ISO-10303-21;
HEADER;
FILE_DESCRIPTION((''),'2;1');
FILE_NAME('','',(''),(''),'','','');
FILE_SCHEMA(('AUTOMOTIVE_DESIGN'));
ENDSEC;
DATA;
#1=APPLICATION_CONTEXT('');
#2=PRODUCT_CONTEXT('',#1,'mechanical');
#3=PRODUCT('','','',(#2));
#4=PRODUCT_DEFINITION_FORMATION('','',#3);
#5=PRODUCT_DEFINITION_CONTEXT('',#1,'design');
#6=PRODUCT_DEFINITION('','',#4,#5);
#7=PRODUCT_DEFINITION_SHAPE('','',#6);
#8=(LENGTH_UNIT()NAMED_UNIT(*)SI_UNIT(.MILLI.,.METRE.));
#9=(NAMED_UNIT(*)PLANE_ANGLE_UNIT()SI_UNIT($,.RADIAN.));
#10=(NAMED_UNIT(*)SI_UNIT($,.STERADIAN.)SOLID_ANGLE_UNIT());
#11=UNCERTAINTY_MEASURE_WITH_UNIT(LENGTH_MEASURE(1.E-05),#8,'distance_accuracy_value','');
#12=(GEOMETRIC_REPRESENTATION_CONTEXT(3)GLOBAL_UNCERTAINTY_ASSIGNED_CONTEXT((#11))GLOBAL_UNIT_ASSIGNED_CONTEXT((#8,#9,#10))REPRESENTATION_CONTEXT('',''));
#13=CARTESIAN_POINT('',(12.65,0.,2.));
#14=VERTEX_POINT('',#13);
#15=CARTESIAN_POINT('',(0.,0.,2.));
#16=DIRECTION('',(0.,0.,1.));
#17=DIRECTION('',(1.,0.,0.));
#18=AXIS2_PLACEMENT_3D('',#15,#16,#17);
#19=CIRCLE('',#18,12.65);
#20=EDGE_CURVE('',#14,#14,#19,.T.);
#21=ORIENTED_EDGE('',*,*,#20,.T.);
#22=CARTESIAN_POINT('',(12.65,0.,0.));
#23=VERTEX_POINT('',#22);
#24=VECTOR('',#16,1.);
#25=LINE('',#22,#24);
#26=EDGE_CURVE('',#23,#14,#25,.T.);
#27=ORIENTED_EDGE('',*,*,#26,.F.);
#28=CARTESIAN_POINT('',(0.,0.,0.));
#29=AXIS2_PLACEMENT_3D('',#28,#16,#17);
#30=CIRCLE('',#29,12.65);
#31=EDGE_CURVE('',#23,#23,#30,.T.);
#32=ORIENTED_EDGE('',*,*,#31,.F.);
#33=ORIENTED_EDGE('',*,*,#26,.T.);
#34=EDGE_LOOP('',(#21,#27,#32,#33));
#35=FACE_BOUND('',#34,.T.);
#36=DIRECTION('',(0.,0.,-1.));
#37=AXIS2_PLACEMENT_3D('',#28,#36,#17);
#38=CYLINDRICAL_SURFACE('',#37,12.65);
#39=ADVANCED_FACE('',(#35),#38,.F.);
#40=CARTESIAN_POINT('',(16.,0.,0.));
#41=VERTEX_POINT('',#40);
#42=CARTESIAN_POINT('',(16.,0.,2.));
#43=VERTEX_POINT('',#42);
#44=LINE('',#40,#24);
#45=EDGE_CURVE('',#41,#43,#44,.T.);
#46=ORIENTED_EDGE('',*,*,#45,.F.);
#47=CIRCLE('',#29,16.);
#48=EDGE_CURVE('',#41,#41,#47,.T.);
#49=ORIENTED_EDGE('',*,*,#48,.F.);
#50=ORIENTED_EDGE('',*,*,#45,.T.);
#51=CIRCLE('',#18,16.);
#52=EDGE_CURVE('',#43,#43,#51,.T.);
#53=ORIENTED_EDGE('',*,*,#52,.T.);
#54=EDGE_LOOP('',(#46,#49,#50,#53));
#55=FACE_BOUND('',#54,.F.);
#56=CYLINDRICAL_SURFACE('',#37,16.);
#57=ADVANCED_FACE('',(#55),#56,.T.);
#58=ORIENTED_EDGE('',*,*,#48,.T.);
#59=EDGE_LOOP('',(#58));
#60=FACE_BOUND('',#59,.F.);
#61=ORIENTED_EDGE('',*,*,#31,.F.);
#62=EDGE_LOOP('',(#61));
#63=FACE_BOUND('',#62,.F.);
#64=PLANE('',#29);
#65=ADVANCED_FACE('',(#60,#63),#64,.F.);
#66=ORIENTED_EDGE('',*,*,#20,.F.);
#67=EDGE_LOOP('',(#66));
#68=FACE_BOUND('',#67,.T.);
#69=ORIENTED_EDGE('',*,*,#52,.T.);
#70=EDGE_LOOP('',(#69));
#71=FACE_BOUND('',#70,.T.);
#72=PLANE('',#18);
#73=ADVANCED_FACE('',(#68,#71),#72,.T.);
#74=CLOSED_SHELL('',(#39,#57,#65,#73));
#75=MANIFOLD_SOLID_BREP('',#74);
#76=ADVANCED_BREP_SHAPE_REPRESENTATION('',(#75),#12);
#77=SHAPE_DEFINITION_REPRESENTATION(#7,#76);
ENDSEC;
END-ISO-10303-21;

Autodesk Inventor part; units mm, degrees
ref_plane "YZ Plane" through (0, 0, 0) normal (1, 0, 0) x (0, 1, 0)
ref_plane "XZ Plane" through (0, 0, 0) normal (0, 1, 0) x (-1, 0, 0)
ref_plane "XY Plane" through (0, 0, 0) normal (0, 0, 1) x (1, 0, 0)
sketch "スケッチ1" plane through (0, 0, 0) normal (0, 0, 1) x (1, 0, 0)
  circle A0 centre (0, 0) radius 12.65
  circle A1 centre (0, 0) radius 16
  dimension "d0" = 25.3
  dimension "d1" = 32
extrude "押し出し1" add sketch "スケッチ1" along normal blind 2
properties part number "TT-2532-20" material "PET プラスチック"
